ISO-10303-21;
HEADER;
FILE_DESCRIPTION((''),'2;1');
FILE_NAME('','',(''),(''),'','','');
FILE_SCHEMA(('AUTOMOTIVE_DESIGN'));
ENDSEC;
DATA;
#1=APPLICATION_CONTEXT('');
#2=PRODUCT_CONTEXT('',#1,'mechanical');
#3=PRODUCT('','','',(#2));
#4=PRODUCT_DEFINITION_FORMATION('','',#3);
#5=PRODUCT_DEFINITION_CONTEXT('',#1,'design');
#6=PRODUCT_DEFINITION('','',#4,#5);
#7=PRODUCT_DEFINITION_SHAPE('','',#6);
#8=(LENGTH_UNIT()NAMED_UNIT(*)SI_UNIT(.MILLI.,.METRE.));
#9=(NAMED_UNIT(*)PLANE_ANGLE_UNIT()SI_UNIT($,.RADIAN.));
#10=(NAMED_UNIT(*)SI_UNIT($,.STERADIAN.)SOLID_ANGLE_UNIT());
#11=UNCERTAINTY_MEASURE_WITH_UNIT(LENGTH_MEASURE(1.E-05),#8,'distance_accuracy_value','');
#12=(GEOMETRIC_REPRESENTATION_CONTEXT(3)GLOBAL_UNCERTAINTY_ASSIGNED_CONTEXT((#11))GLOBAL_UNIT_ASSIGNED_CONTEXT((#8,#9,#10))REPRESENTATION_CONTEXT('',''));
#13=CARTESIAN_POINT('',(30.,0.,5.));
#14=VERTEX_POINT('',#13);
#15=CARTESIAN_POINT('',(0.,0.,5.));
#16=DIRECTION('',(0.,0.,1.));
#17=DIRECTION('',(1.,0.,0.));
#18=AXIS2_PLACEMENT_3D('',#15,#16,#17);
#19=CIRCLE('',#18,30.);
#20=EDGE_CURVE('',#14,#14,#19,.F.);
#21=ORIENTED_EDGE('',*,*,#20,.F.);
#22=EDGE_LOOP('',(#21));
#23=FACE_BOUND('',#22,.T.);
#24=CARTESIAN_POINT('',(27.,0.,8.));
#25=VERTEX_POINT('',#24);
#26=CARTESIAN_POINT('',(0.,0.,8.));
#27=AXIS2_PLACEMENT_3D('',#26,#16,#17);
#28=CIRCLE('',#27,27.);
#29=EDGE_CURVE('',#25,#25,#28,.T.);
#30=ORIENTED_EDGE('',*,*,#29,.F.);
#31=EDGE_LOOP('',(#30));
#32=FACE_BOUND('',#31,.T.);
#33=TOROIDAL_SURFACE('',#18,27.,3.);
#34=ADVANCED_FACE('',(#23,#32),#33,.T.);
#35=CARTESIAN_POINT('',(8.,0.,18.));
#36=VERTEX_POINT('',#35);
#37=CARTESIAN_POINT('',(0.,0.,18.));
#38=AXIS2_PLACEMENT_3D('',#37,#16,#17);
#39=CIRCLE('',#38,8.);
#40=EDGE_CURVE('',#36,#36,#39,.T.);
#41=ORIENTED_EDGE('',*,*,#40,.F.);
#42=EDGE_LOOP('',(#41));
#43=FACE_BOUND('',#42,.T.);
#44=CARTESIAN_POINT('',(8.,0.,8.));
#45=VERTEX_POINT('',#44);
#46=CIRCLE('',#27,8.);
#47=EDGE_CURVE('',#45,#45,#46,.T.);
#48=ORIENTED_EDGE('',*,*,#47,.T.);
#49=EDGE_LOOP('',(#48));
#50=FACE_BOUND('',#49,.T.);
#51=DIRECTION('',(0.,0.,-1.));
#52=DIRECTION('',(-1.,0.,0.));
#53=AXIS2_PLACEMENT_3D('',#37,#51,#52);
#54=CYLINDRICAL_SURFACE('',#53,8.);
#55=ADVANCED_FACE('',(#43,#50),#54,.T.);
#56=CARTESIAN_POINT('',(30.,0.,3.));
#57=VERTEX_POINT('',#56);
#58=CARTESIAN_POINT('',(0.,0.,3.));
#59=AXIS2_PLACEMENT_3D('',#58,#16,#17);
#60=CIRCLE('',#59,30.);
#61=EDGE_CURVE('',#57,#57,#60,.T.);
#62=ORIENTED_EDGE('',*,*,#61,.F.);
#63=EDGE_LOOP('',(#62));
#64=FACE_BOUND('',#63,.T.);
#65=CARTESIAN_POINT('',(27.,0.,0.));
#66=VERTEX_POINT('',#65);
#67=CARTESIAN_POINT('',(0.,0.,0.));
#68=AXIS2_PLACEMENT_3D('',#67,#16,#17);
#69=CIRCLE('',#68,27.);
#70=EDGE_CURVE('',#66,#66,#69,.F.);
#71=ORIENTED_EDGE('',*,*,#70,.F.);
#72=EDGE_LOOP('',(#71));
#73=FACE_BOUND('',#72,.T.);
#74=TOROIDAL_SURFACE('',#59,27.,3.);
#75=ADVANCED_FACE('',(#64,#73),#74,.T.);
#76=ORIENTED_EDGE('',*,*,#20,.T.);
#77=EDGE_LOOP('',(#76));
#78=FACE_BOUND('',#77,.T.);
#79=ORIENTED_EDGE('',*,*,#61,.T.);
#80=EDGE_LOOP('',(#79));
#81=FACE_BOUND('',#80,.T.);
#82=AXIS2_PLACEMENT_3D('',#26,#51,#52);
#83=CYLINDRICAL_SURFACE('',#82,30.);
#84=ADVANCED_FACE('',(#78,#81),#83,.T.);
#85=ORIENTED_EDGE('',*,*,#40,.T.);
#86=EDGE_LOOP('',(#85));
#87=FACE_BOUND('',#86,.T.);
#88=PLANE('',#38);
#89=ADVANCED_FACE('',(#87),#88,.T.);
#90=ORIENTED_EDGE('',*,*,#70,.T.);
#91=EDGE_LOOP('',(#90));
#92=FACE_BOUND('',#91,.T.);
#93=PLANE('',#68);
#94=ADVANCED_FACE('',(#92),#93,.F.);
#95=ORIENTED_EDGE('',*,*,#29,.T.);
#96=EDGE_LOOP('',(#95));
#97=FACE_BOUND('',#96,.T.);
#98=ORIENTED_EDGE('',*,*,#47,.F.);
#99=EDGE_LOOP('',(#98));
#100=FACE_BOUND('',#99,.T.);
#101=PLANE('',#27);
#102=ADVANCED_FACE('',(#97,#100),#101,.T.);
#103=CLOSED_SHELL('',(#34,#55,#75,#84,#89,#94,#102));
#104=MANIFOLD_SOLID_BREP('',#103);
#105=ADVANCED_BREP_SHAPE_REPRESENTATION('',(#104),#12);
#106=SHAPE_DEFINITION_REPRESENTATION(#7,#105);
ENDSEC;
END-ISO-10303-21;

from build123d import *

# Parameters (mm, degrees)
CROQUIS1_R              = 30
SALIENTE_EXTRUIR1_DEPTH = 8
CROQUIS2_R              = 8
SALIENTE_EXTRUIR2_DEPTH = 10
REDONDEO1_R             = 3


with BuildPart() as part:
    # Croquis1 → Saliente-Extruir1 (new body)
    with BuildSketch(Plane.XY):
        Circle(CROQUIS1_R)
    extrude(amount=SALIENTE_EXTRUIR1_DEPTH)

    # Croquis2 → Saliente-Extruir2 (add)
    with BuildSketch(Plane.XY.offset(8)):
        Circle(CROQUIS2_R)
    extrude(amount=SALIENTE_EXTRUIR2_DEPTH)

    # Redondeo1
    redondeo1_edges = [part.edges().sort_by_distance(p)[0] for p in [
        (-30, 0, 0),
        (-30, 0, 8),
    ]]
    fillet(redondeo1_edges, radius=REDONDEO1_R)


solid = part.part
